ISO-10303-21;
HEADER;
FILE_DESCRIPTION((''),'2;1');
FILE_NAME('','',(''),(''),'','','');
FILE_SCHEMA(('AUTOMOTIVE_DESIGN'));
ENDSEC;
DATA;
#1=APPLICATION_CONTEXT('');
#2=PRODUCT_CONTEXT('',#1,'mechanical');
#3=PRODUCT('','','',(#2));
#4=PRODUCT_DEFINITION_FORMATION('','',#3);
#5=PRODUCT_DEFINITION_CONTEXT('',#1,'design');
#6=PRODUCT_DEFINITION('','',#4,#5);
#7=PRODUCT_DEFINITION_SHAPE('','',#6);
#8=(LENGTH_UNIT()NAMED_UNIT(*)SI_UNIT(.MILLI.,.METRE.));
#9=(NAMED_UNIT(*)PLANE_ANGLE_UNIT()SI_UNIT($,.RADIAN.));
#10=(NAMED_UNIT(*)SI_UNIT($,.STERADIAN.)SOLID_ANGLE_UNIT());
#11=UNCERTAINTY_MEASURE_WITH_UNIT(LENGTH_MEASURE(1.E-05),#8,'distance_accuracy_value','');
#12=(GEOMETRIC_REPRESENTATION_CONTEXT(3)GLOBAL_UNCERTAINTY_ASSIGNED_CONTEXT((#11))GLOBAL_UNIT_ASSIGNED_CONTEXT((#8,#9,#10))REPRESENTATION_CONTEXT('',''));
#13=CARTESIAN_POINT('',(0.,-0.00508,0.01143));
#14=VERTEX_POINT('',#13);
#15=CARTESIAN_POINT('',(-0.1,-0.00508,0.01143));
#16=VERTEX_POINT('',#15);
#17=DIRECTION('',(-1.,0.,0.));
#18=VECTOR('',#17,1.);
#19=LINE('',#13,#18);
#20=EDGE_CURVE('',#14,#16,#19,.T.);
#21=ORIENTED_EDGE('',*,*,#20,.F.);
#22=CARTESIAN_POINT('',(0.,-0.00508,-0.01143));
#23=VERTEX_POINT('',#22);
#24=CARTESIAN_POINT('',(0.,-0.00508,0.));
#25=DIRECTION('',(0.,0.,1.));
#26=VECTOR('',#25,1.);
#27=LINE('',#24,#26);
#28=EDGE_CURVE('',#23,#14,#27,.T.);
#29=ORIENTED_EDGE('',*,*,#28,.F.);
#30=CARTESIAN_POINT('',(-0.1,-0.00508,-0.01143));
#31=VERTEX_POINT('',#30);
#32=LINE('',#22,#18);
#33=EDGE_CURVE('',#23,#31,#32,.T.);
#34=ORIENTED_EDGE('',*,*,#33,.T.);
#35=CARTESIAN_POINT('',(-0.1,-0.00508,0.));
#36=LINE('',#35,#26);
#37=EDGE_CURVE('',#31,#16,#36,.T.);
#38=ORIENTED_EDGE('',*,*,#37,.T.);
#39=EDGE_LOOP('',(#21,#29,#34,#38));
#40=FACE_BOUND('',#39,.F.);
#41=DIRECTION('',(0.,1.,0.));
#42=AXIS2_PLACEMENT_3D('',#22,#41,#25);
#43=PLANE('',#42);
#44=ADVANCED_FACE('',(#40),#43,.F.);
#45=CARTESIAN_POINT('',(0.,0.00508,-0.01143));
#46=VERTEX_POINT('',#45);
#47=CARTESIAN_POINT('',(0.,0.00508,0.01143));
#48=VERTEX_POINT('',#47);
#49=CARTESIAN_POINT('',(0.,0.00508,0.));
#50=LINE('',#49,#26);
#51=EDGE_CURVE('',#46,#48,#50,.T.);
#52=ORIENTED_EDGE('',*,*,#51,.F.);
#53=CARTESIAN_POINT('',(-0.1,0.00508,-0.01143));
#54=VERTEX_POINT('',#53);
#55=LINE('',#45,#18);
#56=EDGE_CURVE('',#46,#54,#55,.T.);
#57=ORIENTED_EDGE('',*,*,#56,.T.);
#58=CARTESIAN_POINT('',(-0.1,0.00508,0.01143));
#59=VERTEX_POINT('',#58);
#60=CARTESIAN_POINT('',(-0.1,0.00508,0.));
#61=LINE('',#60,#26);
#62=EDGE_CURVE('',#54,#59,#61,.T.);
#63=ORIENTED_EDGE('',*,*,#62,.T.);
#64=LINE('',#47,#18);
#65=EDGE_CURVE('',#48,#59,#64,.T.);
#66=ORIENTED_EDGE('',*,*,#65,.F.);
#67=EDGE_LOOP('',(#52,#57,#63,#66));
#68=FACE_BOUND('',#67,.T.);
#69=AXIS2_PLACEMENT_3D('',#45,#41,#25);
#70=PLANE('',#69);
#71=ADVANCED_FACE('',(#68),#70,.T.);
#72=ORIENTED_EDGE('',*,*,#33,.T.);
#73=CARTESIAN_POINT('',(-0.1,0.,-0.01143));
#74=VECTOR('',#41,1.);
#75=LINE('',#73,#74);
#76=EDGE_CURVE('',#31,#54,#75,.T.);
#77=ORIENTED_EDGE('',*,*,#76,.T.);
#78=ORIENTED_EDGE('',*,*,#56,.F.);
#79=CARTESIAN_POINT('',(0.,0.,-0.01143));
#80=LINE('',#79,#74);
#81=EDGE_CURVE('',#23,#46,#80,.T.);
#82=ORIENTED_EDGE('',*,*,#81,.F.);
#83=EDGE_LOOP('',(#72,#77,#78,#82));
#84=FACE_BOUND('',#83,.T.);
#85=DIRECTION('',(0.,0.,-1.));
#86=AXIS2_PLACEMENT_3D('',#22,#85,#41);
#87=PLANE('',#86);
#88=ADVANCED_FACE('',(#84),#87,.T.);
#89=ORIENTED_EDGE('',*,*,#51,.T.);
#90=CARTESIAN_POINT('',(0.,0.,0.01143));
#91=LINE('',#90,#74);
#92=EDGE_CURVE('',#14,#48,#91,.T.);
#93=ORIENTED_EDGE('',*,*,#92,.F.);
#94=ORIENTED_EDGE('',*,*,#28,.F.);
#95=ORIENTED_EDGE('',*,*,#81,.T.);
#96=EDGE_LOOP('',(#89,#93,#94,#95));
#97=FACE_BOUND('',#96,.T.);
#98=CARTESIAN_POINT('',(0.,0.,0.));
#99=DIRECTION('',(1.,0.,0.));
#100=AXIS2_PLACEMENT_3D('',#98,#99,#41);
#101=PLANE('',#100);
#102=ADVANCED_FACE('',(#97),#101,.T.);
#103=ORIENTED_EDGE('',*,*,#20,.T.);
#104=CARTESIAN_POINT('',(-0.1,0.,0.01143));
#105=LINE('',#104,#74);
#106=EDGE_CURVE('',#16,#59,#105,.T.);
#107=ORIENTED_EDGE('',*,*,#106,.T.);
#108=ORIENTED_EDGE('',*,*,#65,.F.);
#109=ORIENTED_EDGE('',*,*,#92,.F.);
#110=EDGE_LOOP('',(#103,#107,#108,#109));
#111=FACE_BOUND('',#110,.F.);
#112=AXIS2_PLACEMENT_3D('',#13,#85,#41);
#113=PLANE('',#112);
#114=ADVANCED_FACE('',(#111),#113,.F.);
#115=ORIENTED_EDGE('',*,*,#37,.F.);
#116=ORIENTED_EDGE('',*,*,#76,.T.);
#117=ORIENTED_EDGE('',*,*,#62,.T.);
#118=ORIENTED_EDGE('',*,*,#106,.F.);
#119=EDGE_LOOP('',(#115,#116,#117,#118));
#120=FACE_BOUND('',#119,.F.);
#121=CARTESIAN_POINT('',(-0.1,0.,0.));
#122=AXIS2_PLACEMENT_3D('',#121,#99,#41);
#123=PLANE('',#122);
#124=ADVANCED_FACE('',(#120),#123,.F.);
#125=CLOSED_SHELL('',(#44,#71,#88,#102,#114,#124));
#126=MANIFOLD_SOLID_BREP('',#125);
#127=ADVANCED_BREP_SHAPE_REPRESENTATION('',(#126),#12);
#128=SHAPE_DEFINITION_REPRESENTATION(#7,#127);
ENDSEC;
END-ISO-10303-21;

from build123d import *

# Parameters (mm, degrees)
RECTANGLE003_W   = 0.01016
RECTANGLE003_H   = 0.02286
EXTRUDE001_DEPTH = 0.1


with BuildPart() as part:
    # Rectangle003 → Extrude001 (new body)
    with BuildSketch(Plane(origin=(0, -0.00508, -0.01143), x_dir=(0, 1, 0), z_dir=(1, 0, 0))):
        with Locations((0.00508, 0.01143)):
            Rectangle(RECTANGLE003_W, RECTANGLE003_H)
    extrude(amount=-EXTRUDE001_DEPTH)


solid = part.part
